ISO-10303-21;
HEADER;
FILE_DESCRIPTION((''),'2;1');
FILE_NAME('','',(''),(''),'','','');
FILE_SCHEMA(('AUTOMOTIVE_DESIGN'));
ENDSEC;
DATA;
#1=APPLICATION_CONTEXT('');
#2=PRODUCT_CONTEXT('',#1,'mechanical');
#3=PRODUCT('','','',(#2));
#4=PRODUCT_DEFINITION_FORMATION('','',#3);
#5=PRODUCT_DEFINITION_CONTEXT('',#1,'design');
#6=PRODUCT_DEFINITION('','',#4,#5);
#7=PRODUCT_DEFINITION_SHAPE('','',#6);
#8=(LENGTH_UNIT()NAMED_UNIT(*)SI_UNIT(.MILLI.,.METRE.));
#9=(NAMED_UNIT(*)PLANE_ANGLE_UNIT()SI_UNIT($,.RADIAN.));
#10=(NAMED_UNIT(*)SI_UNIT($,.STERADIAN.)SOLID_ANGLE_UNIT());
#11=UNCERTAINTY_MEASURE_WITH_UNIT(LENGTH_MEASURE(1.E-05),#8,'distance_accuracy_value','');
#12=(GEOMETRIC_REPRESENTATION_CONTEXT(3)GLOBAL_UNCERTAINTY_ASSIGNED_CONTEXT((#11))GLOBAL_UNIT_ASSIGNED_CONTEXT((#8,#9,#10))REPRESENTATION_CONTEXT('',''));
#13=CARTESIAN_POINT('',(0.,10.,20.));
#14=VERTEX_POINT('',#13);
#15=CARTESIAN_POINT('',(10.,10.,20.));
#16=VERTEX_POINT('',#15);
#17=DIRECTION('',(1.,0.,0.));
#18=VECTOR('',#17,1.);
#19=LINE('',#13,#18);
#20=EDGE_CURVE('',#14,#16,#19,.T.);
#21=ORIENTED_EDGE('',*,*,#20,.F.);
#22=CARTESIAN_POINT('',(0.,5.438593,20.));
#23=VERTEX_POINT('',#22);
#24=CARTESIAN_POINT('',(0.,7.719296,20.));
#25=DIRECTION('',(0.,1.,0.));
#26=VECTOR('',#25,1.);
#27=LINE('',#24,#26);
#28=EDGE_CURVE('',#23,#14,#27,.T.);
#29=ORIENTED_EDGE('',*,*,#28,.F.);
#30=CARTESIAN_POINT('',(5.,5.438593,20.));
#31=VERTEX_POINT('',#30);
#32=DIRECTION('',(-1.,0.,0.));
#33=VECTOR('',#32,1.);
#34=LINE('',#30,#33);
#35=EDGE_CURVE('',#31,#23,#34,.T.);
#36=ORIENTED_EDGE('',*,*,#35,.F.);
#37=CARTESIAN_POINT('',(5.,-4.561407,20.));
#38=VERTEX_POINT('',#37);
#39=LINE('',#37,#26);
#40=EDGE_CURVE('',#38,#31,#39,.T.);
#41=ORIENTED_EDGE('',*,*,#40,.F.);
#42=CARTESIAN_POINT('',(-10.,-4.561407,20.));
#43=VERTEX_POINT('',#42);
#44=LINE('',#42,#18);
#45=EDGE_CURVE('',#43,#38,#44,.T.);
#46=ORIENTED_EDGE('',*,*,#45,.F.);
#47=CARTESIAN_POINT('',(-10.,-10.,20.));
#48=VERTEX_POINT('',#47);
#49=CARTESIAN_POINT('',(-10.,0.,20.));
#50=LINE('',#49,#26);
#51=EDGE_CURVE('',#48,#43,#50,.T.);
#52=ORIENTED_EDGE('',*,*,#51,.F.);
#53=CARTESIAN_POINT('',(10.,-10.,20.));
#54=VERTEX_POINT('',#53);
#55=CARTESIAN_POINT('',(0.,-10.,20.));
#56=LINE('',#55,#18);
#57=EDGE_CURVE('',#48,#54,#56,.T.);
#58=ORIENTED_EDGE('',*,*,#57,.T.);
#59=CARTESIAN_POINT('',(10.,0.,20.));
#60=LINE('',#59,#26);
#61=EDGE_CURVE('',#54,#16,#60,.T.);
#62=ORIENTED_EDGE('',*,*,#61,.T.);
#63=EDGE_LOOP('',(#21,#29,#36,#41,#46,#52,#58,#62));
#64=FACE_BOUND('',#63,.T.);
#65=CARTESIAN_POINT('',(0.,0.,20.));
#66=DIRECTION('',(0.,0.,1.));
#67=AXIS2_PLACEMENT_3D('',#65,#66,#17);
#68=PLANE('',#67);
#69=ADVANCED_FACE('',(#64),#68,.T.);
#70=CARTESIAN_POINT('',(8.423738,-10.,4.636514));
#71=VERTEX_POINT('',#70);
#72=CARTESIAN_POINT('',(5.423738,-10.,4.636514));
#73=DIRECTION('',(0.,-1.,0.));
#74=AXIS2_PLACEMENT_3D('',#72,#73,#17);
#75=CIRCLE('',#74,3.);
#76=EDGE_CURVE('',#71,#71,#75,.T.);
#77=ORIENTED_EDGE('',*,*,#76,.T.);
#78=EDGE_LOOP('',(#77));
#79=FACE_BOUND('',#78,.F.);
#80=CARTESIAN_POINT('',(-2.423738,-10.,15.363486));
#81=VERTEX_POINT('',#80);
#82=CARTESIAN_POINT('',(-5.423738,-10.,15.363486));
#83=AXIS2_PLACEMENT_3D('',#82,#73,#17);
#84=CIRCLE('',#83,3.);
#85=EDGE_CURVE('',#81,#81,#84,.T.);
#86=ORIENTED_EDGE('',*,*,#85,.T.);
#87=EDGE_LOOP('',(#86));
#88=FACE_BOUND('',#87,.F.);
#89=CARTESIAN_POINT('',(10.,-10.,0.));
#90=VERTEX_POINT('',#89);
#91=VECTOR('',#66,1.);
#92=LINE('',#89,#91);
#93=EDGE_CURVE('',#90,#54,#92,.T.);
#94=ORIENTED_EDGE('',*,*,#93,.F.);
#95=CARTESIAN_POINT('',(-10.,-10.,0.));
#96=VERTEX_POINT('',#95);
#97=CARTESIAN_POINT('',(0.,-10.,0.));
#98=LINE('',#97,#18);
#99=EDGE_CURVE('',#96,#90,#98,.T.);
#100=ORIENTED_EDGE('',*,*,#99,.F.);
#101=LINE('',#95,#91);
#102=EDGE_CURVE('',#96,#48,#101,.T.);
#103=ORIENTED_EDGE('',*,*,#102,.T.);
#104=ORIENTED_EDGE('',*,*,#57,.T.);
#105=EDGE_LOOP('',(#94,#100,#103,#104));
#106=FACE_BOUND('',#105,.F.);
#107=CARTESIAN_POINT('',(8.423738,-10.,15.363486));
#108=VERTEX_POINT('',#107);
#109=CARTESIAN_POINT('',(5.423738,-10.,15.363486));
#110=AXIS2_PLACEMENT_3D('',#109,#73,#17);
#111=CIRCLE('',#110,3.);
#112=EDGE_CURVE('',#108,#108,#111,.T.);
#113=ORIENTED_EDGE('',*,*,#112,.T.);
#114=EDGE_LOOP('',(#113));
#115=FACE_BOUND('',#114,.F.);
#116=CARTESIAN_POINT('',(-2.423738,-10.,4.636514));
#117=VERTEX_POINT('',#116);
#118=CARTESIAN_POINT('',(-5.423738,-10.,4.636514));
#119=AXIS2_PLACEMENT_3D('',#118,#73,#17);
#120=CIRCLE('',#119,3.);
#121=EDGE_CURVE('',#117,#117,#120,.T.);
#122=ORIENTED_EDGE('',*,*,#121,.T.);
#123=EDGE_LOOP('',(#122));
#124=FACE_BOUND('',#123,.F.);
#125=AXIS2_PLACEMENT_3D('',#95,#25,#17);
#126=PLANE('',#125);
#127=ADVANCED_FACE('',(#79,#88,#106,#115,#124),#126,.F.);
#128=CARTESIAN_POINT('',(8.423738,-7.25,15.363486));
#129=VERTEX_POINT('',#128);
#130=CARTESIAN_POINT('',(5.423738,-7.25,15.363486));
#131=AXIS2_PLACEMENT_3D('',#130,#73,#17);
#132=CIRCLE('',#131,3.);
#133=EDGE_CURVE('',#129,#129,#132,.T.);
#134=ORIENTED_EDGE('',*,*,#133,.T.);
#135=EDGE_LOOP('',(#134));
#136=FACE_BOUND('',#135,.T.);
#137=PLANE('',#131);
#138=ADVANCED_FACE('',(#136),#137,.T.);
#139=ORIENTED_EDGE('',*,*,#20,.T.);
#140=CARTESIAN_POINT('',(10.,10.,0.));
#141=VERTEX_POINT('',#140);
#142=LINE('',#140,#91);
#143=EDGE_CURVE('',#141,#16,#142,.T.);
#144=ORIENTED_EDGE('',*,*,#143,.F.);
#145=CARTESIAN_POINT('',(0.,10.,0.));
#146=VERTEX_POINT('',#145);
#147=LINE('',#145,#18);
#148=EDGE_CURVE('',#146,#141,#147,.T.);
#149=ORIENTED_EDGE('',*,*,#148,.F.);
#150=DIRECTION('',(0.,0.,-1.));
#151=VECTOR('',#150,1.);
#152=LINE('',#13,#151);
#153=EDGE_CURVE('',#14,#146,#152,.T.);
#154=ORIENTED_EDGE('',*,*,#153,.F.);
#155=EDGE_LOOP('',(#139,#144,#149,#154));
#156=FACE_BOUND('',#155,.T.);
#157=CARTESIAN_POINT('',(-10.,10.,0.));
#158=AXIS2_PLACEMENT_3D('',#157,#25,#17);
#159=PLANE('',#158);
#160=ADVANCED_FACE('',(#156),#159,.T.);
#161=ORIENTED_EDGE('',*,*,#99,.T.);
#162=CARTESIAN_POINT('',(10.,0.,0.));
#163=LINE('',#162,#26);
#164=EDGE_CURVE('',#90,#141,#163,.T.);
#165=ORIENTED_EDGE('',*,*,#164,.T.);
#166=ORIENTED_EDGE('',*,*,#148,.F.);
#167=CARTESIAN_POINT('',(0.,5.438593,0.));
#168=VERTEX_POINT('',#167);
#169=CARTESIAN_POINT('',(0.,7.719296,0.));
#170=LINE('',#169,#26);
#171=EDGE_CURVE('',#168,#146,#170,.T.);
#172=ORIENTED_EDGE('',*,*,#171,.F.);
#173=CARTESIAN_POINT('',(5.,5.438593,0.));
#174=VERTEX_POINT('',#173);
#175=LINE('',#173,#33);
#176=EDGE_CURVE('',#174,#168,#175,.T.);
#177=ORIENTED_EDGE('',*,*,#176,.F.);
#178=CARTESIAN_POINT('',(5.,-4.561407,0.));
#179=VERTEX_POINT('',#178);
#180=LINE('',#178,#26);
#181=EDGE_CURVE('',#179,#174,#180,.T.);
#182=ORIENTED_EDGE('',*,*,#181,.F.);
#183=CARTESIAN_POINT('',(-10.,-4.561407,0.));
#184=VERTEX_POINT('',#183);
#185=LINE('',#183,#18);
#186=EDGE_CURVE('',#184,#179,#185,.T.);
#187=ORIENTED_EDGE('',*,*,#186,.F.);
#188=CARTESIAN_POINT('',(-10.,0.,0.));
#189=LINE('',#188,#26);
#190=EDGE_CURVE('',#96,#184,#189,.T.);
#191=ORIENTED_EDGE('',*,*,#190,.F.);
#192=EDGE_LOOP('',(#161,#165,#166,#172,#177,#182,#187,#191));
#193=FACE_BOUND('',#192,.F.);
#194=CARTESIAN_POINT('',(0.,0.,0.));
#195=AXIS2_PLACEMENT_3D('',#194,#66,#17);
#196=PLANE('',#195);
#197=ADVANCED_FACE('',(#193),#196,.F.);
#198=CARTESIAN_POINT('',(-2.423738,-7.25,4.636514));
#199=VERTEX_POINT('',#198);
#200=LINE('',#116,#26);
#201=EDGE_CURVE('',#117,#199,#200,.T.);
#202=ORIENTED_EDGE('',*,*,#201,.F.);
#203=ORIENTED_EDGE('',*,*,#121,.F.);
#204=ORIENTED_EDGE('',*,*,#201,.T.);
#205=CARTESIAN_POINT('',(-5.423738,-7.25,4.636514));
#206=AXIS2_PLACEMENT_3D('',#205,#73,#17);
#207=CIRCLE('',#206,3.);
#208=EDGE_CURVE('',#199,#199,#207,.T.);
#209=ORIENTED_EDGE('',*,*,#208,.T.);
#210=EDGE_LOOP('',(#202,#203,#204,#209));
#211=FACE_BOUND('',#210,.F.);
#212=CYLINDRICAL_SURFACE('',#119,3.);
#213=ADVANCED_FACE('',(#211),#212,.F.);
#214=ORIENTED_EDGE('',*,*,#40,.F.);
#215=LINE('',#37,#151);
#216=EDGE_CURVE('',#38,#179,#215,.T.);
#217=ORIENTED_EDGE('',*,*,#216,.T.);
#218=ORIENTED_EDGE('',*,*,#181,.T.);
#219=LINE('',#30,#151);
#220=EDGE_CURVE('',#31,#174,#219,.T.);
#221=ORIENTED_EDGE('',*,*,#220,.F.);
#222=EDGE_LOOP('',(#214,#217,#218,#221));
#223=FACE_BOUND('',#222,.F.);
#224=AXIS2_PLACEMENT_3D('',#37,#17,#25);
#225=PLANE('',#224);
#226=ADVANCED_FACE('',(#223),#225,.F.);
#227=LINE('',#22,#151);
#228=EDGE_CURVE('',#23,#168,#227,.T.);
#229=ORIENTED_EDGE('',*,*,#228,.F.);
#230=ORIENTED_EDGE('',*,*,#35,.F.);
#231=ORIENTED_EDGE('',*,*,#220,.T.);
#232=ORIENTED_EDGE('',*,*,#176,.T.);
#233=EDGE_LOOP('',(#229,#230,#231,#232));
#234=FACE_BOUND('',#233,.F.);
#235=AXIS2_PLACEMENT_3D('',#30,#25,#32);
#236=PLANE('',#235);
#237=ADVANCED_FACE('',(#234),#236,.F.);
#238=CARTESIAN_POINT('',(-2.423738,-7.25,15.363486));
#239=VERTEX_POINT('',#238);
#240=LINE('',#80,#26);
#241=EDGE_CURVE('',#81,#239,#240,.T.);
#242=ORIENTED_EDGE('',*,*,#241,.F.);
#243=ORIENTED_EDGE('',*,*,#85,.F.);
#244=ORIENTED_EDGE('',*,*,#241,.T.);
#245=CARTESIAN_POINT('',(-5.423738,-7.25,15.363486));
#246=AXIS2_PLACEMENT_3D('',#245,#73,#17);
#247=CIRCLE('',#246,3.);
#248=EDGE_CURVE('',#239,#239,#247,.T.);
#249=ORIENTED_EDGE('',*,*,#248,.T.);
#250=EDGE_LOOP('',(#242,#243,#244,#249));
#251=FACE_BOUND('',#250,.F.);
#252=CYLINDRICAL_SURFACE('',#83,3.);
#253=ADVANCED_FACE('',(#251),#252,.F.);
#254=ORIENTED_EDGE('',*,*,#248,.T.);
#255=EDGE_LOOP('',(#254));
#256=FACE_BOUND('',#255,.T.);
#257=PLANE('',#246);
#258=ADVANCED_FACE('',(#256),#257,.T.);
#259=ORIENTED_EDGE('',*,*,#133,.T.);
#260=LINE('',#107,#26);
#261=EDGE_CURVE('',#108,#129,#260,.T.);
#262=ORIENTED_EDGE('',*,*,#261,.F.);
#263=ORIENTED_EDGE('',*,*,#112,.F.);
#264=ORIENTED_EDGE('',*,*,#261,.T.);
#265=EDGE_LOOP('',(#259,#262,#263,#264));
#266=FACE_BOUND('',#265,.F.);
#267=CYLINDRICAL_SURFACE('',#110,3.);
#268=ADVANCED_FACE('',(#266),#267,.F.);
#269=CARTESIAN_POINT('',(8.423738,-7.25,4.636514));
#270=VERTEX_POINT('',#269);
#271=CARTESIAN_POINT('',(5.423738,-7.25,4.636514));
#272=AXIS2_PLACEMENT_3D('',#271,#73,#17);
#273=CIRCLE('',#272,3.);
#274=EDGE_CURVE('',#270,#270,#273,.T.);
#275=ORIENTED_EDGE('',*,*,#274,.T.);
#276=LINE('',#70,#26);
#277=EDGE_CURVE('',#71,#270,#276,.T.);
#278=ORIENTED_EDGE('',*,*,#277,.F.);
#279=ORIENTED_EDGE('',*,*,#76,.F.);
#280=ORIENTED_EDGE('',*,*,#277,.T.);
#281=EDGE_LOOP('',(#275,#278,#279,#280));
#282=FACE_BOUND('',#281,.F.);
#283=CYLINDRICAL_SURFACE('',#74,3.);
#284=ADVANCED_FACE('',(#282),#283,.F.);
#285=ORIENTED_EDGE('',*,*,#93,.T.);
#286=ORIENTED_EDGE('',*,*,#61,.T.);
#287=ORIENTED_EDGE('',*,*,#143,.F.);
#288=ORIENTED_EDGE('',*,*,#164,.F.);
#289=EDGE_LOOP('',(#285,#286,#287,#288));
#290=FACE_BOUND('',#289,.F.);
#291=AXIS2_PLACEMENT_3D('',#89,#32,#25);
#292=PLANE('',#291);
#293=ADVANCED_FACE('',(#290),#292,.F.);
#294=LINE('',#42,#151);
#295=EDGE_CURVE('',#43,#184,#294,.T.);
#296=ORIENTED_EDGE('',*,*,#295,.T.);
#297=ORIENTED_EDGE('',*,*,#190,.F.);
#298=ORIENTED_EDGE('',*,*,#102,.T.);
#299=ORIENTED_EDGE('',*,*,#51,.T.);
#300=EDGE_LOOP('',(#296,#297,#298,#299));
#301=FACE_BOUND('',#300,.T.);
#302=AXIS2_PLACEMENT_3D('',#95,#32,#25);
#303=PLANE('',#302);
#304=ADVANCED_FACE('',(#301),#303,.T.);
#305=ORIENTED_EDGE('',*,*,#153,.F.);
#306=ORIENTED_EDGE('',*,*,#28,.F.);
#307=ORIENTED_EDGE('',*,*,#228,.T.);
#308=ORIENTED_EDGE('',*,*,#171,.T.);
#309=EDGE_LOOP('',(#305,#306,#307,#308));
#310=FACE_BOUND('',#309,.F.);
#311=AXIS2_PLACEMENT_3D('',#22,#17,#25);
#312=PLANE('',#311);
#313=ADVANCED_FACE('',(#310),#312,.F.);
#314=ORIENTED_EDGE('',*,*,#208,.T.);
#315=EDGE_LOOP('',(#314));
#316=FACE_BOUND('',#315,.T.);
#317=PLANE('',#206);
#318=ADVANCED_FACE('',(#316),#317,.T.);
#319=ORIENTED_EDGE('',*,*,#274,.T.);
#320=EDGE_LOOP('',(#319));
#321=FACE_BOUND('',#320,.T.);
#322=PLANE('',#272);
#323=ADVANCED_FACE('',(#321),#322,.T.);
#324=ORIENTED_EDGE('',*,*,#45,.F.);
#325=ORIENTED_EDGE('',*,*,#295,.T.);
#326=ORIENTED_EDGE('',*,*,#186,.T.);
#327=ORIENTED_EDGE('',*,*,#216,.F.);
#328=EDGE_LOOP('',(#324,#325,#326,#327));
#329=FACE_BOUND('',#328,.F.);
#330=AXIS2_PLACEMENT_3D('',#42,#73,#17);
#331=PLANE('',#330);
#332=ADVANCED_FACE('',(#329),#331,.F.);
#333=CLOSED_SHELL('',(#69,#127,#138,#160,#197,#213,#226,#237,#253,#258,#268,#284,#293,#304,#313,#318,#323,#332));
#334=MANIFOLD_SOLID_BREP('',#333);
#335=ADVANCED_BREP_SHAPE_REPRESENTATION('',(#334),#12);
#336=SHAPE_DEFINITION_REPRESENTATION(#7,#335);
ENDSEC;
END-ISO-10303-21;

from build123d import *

# Parameters (mm, degrees)
F0_W     = 20
F0_H     = 20
F1_DEPTH = 20
F2_W     = 10
F2_H     = 4.5614074916
F3_DEPTH = 20
F4_R     = 3
F5_DEPTH = 2.75


with BuildPart() as f1:
    # F0 (on Top) → F1 (new body)
    with BuildSketch(Plane.XY):
        Rectangle(F0_W, F0_H)
    extrude(amount=F1_DEPTH)

    # F2 (on face) → F3 (cut)
    with BuildSketch(Plane.XY.offset(20)):
        Polygon((-10, -4.5614074916), (5, -4.5614074916), (5, 5.4385925084), (0, 5.4385925084), (-10, 5.4385925084), align=None)
        with Locations((-5, 7.7192962542)):
            Rectangle(F2_W, F2_H)
    extrude(amount=-F3_DEPTH, mode=Mode.SUBTRACT)

    # F4 (on face) → F5 (cut)
    with BuildSketch(Plane.XZ.offset(10)):
        with Locations((-5.4237376899, 4.6365144663)):
            Circle(F4_R)
        with Locations((-5.4237376899, 15.3634855337)):
            Circle(F4_R)
        with Locations((5.4237376899, 15.3634855337)):
            Circle(F4_R)
        with Locations((5.4237376899, 4.6365144663)):
            Circle(F4_R)
    extrude(amount=-F5_DEPTH, mode=Mode.SUBTRACT)


solid = f1.part
